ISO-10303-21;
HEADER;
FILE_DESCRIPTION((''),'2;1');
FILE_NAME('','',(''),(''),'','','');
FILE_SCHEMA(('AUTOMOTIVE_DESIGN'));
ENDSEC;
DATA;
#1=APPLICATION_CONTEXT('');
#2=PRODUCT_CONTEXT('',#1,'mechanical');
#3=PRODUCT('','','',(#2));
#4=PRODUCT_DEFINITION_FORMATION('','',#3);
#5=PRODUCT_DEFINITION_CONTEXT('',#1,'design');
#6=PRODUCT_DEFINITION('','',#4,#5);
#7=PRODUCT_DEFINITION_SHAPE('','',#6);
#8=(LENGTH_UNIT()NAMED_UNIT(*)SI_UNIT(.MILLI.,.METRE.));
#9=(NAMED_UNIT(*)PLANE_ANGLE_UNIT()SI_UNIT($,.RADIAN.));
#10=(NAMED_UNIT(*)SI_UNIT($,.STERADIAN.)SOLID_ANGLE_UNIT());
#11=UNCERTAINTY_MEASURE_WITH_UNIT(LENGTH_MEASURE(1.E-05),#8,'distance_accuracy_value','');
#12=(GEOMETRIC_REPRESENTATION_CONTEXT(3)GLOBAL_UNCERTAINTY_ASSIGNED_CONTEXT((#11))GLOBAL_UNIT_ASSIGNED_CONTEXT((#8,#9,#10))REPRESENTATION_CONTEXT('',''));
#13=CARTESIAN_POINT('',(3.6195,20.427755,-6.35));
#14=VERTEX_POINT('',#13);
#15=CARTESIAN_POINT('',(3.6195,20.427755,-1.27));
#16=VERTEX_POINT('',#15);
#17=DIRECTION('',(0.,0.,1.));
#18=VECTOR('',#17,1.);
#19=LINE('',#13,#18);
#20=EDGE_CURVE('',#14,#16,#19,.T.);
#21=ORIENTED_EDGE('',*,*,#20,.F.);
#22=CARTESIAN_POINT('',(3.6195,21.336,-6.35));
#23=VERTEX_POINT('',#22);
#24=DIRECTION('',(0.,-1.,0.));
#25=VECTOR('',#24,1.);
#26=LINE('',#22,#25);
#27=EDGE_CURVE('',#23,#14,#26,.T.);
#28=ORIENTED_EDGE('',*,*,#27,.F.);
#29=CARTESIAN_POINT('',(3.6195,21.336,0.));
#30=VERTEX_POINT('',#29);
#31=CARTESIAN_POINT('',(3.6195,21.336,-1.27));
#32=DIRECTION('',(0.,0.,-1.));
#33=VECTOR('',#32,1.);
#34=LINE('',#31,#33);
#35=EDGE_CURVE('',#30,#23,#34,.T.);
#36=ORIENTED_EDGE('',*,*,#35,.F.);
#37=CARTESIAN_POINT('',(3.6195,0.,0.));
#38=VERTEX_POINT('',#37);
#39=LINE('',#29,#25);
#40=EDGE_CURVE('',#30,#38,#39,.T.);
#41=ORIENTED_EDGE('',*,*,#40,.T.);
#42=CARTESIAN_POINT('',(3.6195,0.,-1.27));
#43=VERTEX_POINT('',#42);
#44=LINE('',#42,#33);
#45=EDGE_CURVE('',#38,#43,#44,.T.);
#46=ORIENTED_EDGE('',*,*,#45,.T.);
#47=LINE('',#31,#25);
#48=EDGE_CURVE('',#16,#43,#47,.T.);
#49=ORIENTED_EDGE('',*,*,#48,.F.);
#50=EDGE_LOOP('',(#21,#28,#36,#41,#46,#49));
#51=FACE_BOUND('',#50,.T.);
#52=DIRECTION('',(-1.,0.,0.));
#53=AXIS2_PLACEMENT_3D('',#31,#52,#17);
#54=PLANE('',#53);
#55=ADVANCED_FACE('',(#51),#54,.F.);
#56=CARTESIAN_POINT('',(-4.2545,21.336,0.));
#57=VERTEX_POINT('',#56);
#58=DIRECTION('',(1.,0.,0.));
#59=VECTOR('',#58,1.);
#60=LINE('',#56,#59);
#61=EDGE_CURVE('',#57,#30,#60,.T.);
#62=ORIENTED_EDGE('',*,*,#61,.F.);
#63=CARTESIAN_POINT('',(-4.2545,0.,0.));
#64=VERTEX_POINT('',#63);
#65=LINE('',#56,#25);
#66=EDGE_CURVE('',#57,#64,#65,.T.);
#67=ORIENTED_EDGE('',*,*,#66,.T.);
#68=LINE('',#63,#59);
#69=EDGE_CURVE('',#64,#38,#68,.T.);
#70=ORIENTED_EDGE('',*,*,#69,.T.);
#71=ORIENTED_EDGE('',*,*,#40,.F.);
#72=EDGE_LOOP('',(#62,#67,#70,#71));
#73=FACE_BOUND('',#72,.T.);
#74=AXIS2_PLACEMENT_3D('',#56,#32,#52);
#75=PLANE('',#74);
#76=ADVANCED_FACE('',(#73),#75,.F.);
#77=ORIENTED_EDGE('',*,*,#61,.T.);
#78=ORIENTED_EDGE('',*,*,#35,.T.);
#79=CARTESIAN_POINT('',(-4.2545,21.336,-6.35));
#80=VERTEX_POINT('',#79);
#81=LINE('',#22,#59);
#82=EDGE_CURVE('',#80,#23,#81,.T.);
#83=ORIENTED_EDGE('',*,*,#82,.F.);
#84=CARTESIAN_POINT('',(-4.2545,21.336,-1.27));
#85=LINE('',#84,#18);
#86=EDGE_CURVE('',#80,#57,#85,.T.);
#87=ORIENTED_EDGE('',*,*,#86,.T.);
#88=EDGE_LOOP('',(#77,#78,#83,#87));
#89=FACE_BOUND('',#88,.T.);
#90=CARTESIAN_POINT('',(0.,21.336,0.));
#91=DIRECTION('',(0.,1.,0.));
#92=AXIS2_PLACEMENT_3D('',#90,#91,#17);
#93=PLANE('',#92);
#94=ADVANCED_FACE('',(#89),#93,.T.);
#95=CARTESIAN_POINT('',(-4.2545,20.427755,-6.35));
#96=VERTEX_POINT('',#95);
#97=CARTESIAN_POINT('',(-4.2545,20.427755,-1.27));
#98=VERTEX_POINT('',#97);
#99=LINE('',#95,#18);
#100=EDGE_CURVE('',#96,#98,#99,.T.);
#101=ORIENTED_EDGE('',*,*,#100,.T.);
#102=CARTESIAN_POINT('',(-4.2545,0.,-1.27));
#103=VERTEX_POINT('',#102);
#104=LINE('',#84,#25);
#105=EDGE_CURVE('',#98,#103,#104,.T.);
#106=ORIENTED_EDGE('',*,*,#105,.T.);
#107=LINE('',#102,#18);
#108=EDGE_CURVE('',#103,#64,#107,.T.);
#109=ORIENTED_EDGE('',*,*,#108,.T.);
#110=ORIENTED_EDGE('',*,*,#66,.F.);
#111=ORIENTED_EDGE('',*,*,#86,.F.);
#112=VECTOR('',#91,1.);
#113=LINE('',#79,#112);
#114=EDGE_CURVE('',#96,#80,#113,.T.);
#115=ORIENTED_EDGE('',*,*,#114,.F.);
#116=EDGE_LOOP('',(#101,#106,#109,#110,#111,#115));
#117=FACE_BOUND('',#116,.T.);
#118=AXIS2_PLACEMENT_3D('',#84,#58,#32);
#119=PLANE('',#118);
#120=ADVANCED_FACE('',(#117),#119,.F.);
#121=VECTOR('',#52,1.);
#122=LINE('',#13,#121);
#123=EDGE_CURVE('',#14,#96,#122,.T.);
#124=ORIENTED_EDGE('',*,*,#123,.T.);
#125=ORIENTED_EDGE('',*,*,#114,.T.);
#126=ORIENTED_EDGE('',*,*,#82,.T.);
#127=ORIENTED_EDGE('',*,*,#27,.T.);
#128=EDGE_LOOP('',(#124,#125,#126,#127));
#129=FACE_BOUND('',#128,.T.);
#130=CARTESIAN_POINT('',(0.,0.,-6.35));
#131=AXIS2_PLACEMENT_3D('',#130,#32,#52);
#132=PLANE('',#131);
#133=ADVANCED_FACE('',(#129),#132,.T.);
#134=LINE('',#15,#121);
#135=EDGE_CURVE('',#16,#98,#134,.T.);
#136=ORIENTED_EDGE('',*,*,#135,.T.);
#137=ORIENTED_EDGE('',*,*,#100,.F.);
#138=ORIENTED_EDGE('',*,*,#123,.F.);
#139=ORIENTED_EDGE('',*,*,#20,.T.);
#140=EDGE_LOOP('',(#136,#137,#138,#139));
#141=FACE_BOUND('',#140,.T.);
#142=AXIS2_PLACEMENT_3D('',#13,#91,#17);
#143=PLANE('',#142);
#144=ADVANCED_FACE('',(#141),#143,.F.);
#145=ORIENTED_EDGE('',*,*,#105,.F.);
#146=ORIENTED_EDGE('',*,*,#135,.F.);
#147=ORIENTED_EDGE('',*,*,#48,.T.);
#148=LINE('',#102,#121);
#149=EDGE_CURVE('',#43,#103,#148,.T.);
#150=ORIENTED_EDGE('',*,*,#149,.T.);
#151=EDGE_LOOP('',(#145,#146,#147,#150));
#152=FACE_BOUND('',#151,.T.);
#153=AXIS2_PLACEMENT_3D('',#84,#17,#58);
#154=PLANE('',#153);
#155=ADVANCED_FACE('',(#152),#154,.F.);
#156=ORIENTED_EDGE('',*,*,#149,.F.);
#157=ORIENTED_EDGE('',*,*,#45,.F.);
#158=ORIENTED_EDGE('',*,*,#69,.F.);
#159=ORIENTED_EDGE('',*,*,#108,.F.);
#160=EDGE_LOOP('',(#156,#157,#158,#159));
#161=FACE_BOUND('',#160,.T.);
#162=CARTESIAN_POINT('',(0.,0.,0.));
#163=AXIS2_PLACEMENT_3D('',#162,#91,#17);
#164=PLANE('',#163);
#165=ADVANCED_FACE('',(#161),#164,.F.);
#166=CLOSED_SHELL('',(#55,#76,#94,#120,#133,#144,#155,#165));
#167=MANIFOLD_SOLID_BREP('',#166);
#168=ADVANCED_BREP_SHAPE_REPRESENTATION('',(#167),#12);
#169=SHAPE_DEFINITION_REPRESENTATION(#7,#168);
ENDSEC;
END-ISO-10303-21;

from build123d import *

# Parameters (mm, degrees)
SKETCH1_W           = 7.874
SKETCH1_H           = 1.27
BOSS_EXTRUDE1_DEPTH = 21.336
SKETCH2_W           = 7.874
SKETCH2_H           = 0.908244578
BOSS_EXTRUDE2_DEPTH = 5.08


with BuildPart() as part:
    # Sketch1 → Boss-Extrude1 (new body)
    with BuildSketch(Plane(origin=(0, 0, 0), x_dir=(1, 0, 0), z_dir=(0, 1, 0))):
        with Locations((-0.3175, 0.635)):
            Rectangle(SKETCH1_W, SKETCH1_H)
    extrude(amount=BOSS_EXTRUDE1_DEPTH)

    # Sketch2 → Boss-Extrude2 (add)
    with BuildSketch(Plane(origin=(0, 0, -1.27), x_dir=(-1, 0, 0), z_dir=(0, 0, -1))):
        with Locations((0.3175, 20.881877711)):
            Rectangle(SKETCH2_W, SKETCH2_H)
    extrude(amount=BOSS_EXTRUDE2_DEPTH)


solid = part.part
